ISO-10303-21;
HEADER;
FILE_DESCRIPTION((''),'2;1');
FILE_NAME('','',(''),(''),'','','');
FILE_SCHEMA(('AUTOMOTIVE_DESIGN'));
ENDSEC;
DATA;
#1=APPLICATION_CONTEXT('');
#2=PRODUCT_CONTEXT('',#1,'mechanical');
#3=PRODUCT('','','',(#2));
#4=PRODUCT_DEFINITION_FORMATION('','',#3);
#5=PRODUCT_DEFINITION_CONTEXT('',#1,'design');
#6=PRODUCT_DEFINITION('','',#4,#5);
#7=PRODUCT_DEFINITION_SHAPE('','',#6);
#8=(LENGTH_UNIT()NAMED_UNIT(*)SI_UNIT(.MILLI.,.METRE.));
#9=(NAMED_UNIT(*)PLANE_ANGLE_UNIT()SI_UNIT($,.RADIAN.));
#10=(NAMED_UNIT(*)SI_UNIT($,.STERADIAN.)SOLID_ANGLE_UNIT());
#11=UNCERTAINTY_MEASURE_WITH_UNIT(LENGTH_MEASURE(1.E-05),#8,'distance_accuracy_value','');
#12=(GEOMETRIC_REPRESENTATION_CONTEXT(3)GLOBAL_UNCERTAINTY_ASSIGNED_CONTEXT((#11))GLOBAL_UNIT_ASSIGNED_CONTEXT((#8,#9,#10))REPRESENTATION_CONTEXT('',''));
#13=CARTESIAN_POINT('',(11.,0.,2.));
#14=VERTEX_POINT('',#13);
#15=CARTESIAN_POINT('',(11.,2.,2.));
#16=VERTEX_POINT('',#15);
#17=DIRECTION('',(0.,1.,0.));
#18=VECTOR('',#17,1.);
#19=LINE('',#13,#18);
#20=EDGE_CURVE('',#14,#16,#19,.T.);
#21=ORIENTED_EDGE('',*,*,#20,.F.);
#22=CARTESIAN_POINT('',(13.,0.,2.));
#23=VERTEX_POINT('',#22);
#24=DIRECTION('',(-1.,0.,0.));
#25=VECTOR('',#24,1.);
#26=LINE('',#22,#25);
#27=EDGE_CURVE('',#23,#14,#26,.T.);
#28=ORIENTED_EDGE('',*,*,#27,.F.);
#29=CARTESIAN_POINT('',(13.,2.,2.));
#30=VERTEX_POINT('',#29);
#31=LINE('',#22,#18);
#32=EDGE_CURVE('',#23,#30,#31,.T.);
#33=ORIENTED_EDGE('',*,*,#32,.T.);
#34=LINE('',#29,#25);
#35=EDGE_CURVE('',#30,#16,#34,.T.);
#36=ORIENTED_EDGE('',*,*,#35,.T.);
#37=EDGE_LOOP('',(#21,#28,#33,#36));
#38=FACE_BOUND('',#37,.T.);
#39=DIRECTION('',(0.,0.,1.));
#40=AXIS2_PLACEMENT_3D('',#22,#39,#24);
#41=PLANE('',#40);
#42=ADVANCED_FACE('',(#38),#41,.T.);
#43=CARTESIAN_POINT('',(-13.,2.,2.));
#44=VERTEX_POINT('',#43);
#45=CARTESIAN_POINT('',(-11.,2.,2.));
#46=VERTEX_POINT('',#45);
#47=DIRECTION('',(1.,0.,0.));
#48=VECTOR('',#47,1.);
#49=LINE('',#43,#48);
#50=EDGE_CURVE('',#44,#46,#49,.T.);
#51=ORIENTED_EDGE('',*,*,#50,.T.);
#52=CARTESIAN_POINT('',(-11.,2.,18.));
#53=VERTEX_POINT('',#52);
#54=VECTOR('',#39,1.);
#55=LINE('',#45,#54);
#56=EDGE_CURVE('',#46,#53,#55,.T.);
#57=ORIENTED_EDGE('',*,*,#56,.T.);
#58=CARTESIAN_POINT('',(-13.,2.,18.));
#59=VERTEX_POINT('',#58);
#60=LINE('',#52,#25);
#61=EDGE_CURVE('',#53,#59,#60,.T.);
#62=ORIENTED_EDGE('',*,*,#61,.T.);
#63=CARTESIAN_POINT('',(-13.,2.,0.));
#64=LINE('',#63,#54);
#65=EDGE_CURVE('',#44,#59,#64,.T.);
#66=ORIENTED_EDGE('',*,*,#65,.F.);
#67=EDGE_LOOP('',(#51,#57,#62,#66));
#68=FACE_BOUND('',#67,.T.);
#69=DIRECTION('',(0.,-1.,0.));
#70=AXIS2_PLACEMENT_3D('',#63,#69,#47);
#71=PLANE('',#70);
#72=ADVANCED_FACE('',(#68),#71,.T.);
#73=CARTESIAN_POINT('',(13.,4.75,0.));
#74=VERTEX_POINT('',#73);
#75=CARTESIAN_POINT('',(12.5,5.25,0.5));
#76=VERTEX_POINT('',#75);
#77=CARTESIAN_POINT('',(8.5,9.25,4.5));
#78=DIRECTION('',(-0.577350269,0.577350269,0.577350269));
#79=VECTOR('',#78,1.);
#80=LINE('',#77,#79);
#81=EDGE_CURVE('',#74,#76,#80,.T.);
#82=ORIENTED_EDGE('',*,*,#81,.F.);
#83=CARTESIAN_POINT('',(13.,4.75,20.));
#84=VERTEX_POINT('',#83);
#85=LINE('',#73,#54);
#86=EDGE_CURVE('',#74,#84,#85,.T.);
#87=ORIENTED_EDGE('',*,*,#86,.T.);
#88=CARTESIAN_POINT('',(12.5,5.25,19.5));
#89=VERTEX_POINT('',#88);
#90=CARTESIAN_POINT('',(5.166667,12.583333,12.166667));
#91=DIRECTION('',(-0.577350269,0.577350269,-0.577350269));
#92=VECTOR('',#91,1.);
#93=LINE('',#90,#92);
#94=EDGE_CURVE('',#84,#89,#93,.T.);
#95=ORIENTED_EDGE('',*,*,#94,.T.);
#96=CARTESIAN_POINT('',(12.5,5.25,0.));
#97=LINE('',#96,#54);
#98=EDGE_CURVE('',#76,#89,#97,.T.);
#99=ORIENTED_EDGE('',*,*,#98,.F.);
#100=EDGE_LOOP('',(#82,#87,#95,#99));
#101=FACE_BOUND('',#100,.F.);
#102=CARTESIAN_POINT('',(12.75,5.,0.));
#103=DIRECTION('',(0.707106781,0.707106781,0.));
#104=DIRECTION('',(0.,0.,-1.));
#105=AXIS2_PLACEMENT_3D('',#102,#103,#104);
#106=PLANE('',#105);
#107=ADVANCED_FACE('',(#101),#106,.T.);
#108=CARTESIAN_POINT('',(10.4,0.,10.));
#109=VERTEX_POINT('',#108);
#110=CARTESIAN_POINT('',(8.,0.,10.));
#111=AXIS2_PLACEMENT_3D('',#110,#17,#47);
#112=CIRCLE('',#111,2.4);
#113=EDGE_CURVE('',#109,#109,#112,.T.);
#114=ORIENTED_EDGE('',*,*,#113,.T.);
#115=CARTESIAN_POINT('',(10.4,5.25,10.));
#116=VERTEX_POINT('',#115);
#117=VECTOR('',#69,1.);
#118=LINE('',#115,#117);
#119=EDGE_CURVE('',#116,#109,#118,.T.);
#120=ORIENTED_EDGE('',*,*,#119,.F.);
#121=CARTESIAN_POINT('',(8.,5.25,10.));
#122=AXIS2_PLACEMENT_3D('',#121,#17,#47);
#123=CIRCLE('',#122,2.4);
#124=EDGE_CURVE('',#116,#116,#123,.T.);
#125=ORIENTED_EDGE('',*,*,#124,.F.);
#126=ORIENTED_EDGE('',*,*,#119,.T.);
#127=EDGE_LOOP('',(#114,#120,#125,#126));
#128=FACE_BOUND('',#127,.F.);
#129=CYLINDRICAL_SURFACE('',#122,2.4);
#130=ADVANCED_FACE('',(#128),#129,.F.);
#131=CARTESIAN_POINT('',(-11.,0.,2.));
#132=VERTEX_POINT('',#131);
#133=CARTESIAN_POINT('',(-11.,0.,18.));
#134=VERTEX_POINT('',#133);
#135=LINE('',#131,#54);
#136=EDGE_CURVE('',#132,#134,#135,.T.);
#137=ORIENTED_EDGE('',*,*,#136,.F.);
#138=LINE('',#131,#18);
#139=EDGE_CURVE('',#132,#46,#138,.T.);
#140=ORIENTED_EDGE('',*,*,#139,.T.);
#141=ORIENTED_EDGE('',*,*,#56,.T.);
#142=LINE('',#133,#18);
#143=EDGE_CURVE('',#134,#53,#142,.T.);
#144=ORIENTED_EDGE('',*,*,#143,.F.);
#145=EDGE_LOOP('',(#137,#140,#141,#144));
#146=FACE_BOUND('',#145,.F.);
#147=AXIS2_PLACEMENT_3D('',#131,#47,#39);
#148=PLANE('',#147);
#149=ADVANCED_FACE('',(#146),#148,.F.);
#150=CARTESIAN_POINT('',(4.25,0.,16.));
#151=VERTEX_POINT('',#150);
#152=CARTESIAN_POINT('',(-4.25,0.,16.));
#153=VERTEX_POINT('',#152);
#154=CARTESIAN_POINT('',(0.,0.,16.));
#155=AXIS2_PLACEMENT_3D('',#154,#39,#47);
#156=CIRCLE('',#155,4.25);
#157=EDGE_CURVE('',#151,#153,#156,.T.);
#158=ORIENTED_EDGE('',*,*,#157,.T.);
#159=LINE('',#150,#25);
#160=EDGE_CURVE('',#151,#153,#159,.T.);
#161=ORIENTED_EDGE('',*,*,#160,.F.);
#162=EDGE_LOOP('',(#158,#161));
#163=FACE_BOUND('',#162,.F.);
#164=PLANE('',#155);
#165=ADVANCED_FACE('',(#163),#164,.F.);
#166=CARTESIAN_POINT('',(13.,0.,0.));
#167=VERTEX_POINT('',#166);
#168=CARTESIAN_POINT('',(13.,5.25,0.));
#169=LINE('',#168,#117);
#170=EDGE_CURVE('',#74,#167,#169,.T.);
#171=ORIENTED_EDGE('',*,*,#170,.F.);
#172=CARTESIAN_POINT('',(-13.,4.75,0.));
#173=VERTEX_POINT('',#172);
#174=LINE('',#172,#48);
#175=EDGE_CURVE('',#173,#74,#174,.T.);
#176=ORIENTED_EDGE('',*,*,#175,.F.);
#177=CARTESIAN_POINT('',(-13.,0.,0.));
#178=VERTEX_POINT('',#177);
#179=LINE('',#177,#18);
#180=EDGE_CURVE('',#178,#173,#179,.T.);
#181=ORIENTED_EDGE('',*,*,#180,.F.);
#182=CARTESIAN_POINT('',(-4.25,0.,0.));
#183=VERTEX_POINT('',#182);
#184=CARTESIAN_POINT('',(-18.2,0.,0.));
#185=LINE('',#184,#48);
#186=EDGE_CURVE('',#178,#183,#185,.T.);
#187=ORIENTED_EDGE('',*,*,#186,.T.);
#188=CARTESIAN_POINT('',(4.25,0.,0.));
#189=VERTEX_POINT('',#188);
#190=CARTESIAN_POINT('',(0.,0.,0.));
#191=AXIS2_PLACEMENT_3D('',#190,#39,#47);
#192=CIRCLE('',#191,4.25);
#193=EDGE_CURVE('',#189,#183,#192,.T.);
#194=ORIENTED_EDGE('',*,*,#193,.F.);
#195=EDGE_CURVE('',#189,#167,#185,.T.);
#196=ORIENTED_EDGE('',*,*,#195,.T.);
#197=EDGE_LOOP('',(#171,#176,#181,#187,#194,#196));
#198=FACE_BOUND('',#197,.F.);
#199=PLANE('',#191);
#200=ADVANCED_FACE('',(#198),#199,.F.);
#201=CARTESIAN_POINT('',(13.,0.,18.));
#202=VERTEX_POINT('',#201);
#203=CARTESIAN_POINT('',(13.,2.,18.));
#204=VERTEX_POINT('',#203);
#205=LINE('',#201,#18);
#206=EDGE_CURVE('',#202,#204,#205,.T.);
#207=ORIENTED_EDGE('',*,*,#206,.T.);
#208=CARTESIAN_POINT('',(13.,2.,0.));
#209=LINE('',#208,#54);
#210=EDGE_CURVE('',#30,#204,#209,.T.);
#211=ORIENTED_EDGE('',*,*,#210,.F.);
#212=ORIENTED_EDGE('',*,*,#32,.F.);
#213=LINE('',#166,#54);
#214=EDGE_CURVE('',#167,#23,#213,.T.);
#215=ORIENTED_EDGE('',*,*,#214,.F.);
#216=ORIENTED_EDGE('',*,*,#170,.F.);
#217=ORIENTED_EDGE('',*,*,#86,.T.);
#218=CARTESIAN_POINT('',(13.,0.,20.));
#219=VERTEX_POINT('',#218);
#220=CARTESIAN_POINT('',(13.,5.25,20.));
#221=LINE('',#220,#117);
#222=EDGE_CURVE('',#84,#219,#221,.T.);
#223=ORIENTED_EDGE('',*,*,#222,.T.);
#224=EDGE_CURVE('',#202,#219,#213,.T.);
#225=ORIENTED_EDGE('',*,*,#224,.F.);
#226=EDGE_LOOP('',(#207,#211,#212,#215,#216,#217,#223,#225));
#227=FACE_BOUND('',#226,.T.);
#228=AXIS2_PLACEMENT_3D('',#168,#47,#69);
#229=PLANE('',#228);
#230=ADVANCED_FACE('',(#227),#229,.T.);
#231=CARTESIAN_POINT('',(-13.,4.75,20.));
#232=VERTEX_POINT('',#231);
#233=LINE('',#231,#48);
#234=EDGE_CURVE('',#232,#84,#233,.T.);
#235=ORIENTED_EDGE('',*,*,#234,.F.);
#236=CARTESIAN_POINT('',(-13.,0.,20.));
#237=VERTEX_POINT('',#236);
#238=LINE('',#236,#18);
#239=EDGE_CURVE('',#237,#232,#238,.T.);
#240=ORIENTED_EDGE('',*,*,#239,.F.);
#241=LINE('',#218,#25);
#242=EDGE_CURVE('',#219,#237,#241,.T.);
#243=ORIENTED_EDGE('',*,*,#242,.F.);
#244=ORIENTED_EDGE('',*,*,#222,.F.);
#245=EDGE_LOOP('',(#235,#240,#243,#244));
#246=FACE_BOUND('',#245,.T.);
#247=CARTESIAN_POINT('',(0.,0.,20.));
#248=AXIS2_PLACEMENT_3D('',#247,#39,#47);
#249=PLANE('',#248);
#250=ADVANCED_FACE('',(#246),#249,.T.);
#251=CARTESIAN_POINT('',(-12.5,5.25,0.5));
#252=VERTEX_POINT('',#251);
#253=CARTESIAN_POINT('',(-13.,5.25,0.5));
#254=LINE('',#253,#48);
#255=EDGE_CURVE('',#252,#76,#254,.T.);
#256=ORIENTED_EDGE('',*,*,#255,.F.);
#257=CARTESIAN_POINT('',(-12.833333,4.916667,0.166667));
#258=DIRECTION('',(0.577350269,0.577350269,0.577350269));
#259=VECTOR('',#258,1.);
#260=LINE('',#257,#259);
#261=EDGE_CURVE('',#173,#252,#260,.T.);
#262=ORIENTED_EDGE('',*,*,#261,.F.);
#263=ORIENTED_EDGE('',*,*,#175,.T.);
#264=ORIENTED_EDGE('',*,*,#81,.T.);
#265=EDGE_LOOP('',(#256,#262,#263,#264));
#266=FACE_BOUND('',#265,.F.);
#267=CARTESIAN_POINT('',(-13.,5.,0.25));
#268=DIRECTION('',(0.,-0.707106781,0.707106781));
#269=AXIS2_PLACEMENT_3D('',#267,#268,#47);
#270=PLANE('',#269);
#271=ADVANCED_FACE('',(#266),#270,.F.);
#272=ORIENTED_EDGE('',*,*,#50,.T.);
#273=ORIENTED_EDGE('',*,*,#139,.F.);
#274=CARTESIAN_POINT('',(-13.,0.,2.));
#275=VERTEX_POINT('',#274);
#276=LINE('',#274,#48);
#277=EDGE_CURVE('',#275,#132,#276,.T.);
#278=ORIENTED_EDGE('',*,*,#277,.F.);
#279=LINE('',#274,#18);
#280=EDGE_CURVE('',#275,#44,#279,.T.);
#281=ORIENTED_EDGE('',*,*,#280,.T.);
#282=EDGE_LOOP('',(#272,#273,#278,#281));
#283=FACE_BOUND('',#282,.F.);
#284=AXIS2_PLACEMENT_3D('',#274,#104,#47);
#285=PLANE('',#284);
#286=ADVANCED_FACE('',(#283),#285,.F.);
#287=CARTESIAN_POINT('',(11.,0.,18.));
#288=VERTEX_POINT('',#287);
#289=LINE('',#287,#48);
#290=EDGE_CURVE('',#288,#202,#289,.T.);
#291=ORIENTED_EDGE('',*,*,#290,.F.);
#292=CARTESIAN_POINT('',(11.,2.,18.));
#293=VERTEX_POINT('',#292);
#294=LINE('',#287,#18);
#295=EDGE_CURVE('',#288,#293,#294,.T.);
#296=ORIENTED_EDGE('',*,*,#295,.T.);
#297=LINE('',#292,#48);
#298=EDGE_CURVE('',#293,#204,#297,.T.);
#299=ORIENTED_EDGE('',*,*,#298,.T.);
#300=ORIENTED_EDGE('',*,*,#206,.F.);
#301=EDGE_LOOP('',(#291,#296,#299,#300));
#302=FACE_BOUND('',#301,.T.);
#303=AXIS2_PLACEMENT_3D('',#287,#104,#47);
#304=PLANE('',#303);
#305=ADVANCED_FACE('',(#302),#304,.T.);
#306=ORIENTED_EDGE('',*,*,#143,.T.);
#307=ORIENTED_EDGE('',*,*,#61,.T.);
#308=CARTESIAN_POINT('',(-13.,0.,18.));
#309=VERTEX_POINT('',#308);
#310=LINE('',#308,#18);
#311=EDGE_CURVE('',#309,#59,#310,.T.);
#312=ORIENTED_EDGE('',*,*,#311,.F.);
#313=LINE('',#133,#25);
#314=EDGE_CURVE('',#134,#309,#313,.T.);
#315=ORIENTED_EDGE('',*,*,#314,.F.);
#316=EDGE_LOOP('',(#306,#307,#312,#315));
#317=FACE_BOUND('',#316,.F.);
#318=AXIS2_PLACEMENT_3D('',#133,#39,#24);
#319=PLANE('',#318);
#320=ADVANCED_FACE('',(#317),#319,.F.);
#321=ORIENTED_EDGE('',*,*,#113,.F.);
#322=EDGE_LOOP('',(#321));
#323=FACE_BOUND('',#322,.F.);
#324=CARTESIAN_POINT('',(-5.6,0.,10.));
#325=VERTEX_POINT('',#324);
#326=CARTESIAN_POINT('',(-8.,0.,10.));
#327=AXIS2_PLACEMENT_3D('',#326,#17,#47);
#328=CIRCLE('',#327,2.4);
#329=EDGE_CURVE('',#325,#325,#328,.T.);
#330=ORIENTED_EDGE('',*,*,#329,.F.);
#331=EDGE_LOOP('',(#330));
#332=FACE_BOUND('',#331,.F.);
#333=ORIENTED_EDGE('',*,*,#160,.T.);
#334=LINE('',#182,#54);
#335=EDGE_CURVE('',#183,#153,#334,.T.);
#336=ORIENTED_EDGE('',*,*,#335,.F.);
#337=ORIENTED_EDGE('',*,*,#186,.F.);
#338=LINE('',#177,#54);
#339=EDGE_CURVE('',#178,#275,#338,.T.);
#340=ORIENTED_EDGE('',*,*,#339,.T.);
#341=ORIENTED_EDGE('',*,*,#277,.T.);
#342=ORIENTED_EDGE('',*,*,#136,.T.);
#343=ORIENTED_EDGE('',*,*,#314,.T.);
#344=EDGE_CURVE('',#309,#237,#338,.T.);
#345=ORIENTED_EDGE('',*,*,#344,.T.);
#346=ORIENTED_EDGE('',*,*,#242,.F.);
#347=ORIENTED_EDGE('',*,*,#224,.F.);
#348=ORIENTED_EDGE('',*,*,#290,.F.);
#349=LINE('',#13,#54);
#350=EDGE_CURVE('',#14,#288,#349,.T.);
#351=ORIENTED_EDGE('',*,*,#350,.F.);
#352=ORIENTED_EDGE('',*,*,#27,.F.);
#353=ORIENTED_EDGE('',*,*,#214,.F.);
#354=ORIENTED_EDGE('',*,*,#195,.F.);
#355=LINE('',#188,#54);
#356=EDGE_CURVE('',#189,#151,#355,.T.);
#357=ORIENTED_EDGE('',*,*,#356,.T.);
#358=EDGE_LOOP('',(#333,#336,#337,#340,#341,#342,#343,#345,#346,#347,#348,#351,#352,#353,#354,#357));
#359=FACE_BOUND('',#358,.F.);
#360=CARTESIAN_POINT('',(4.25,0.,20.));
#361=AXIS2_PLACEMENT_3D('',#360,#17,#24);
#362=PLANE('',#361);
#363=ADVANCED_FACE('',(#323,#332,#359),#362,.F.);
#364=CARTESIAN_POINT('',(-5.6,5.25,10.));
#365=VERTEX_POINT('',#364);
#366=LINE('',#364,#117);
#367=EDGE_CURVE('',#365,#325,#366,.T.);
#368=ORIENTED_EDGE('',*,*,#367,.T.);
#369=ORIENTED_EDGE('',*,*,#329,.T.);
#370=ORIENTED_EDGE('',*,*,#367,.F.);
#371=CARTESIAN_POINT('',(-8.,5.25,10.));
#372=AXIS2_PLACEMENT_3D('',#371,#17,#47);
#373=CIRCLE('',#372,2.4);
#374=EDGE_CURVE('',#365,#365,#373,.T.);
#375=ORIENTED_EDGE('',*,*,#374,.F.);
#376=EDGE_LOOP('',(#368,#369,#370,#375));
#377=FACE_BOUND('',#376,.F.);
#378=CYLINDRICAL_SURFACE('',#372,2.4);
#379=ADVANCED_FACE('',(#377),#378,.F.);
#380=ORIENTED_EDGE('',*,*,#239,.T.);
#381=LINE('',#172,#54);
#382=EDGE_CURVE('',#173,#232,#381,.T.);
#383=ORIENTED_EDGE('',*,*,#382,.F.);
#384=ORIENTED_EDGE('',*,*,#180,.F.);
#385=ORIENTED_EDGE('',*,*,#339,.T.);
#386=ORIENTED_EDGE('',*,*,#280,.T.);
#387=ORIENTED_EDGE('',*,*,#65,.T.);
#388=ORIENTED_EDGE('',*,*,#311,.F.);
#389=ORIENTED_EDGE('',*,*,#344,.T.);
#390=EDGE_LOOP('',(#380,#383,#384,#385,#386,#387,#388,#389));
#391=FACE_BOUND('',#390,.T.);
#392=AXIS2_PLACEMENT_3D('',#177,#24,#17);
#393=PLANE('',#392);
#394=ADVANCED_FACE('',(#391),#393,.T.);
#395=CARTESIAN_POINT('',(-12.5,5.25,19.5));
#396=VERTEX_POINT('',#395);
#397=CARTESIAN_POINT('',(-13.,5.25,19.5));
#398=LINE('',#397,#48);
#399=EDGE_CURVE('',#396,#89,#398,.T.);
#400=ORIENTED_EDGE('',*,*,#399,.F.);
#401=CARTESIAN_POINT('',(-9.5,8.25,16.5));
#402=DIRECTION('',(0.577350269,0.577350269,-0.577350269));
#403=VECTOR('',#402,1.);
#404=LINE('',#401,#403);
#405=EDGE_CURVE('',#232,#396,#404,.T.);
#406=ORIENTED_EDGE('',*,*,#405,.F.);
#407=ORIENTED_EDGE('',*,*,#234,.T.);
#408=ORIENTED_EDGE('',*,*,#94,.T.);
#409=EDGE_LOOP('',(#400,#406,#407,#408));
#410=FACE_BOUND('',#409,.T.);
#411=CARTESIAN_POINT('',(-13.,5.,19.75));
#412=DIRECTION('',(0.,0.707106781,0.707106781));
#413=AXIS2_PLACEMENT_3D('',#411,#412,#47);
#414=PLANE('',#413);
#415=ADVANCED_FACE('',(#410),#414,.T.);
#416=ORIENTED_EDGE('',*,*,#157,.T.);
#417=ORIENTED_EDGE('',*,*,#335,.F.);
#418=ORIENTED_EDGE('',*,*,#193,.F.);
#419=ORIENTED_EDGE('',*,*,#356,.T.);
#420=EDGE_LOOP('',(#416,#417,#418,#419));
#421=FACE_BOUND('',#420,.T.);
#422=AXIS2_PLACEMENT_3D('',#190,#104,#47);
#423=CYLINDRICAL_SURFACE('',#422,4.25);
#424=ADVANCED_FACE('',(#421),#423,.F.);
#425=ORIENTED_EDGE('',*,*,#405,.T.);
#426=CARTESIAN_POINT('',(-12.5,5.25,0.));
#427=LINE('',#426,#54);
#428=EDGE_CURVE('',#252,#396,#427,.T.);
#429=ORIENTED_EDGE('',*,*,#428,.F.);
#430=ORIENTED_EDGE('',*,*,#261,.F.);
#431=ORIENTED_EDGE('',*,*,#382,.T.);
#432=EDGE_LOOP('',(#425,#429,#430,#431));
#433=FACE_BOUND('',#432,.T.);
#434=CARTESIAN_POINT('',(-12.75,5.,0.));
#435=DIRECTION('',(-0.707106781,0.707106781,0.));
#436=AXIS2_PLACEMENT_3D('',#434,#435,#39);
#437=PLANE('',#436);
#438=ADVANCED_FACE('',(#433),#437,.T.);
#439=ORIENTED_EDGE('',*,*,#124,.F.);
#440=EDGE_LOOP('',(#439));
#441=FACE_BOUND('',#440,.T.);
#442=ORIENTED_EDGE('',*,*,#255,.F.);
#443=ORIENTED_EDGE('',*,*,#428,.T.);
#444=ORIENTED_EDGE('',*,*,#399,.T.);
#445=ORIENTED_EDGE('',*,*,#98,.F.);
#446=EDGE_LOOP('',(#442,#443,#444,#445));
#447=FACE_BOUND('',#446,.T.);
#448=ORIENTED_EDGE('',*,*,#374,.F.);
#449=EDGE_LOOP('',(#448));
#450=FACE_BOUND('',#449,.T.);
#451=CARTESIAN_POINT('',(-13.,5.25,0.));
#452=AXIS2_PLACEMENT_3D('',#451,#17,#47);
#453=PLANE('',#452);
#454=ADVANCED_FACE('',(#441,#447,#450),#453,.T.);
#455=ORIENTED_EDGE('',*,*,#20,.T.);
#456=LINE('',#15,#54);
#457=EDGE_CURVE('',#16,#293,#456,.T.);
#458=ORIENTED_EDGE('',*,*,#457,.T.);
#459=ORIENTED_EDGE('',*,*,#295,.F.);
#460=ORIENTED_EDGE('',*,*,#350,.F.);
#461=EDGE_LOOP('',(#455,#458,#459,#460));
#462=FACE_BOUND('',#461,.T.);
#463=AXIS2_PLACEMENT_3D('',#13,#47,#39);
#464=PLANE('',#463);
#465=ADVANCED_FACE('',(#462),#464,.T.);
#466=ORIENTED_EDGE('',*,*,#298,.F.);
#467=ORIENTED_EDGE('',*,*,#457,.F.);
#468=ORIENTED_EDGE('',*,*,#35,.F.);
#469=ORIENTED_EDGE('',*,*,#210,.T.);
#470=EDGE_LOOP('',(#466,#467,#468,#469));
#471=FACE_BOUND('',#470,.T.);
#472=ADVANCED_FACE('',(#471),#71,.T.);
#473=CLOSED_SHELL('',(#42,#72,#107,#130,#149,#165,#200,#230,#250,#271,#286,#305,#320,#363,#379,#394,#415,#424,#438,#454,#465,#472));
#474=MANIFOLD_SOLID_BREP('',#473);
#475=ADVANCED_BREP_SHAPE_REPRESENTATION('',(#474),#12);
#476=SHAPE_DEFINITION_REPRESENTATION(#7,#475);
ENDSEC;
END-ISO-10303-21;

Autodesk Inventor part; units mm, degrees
ref_plane "YZ Plane" through (0, 0, 0) normal (1, 0, 0) x (0, 1, 0)
ref_plane "XZ Plane" through (0, 0, 0) normal (0, 1, 0) x (-1, 0, 0)
ref_plane "XY Plane" through (0, 0, 0) normal (0, 0, 1) x (1, 0, 0)
sketch "Sketch1" plane through (0, 0, 0) normal (0, 0, 1) x (1, 0, 0)
  arc A0 (4.25, 0) -> (-4.25, 0) centre (0, 0) ccw
  line L0 (-18.2, 0) -> (18.2, 0) projected
  line L1 (-13, 0) -> (-13, 5.25)
  line L2 (-13, 5.25) -> (13, 5.25)
  line L3 (13, 5.25) -> (13, 0)
  line L4 (-13, 0) -> (-4.25, 0)
  line L5 (4.25, 0) -> (13, 0)
  dimension "d0" = 8.5
  dimension "d1" = 1
  dimension "d2" = 13
  dimension "d3" = 13
extrude "Extrusion1" add sketch "Sketch1" along normal blind 20 contours A0 L0 L1 L2 L3
sketch "Sketch2" plane through (-13, 5.25, 0) normal (0, 1, 0) x (1, 0, 0)
  line L0 (-4.8106, -10) -> (24.391, -10) construction
  line L1 (26, 0) -> (0, 0) construction
  line L2 (26, -20) -> (0, -20) construction
  circle A0 centre (5, -10) radius 2.4
  circle A1 centre (21, -10) radius 2.4
  point P0 (13, 0)
  dimension "d7" = 20
  dimension "d8" = 10
  dimension "d9" = 4.8
  dimension "d10" = 4.8
  dimension "d11" = 16
  dimension "d12" = 8
extrude "Extrusion2" cut sketch "Sketch2" against normal through all
sketch "Sketch3" plane through (-13, 0, 0) normal (0, -1, 0) x (1, 0, 0)
  line L0 (0, 0) -> (0, 20) projected
  line L1 (0, 2) -> (2, 2)
  line L2 (2, 2) -> (2, 18)
  line L3 (2, 18) -> (0, 18)
  line L4 (0, 18) -> (0, 2)
  line L5 (26, 0) -> (26, 20) projected
  line L6 (26, 2) -> (24, 2)
  line L7 (24, 2) -> (24, 18)
  line L8 (24, 18) -> (26, 18)
  line L9 (26, 18) -> (26, 2)
  line L10 (0, 0) -> (8.75, 0) projected
  line L11 (0, 20) -> (8.75, 20) projected
  line L12 (17.25, 20) -> (26, 20) projected
  line L13 (17.25, 0) -> (26, 0) projected
  point P0 (13, 0)
  point P1 (0, 18)
  dimension "d15" = 2
  dimension "d16" = 2
  dimension "d17" = 2
  dimension "d18" = 2
  dimension "d19" = 2
  dimension "d20" = 2
extrude "Extrusion3" cut sketch "Sketch3" against normal blind 2
chamfer "Chamfer1" distance 0.5 angle 45 4 edges at (13, 5.25, 10) (0, 5.25, 20) (-13, 5.25, 10) (0, 5.25, 0)
sketch "Sketch4" plane through (0, 0, 20) normal (0, 0, 1) x (1, 0, 0)
  arc A0 (4.25, 0) -> (-4.25, 0) centre (0, 0) ccw projected
  line L0 (4.25, 0) -> (13, 0) projected
  line L1 (-13, 0) -> (-4.25, 0) projected
  line L2 (4.25, 0) -> (-4.25, 0)
extrude "Extrusion4" add sketch "Sketch4" against normal blind 4
equation "\"d3\" = d2"
equation "\"d8\" = 0.5 * d7"
equation "\"d10\" = d9"
equation "\"d16\" = d15"
equation "\"d17\" = d15"
equation "\"d18\" = d16"
equation "\"d19\" = d16"
equation "\"d20\" = d17"
properties part number "_3DPrint"
